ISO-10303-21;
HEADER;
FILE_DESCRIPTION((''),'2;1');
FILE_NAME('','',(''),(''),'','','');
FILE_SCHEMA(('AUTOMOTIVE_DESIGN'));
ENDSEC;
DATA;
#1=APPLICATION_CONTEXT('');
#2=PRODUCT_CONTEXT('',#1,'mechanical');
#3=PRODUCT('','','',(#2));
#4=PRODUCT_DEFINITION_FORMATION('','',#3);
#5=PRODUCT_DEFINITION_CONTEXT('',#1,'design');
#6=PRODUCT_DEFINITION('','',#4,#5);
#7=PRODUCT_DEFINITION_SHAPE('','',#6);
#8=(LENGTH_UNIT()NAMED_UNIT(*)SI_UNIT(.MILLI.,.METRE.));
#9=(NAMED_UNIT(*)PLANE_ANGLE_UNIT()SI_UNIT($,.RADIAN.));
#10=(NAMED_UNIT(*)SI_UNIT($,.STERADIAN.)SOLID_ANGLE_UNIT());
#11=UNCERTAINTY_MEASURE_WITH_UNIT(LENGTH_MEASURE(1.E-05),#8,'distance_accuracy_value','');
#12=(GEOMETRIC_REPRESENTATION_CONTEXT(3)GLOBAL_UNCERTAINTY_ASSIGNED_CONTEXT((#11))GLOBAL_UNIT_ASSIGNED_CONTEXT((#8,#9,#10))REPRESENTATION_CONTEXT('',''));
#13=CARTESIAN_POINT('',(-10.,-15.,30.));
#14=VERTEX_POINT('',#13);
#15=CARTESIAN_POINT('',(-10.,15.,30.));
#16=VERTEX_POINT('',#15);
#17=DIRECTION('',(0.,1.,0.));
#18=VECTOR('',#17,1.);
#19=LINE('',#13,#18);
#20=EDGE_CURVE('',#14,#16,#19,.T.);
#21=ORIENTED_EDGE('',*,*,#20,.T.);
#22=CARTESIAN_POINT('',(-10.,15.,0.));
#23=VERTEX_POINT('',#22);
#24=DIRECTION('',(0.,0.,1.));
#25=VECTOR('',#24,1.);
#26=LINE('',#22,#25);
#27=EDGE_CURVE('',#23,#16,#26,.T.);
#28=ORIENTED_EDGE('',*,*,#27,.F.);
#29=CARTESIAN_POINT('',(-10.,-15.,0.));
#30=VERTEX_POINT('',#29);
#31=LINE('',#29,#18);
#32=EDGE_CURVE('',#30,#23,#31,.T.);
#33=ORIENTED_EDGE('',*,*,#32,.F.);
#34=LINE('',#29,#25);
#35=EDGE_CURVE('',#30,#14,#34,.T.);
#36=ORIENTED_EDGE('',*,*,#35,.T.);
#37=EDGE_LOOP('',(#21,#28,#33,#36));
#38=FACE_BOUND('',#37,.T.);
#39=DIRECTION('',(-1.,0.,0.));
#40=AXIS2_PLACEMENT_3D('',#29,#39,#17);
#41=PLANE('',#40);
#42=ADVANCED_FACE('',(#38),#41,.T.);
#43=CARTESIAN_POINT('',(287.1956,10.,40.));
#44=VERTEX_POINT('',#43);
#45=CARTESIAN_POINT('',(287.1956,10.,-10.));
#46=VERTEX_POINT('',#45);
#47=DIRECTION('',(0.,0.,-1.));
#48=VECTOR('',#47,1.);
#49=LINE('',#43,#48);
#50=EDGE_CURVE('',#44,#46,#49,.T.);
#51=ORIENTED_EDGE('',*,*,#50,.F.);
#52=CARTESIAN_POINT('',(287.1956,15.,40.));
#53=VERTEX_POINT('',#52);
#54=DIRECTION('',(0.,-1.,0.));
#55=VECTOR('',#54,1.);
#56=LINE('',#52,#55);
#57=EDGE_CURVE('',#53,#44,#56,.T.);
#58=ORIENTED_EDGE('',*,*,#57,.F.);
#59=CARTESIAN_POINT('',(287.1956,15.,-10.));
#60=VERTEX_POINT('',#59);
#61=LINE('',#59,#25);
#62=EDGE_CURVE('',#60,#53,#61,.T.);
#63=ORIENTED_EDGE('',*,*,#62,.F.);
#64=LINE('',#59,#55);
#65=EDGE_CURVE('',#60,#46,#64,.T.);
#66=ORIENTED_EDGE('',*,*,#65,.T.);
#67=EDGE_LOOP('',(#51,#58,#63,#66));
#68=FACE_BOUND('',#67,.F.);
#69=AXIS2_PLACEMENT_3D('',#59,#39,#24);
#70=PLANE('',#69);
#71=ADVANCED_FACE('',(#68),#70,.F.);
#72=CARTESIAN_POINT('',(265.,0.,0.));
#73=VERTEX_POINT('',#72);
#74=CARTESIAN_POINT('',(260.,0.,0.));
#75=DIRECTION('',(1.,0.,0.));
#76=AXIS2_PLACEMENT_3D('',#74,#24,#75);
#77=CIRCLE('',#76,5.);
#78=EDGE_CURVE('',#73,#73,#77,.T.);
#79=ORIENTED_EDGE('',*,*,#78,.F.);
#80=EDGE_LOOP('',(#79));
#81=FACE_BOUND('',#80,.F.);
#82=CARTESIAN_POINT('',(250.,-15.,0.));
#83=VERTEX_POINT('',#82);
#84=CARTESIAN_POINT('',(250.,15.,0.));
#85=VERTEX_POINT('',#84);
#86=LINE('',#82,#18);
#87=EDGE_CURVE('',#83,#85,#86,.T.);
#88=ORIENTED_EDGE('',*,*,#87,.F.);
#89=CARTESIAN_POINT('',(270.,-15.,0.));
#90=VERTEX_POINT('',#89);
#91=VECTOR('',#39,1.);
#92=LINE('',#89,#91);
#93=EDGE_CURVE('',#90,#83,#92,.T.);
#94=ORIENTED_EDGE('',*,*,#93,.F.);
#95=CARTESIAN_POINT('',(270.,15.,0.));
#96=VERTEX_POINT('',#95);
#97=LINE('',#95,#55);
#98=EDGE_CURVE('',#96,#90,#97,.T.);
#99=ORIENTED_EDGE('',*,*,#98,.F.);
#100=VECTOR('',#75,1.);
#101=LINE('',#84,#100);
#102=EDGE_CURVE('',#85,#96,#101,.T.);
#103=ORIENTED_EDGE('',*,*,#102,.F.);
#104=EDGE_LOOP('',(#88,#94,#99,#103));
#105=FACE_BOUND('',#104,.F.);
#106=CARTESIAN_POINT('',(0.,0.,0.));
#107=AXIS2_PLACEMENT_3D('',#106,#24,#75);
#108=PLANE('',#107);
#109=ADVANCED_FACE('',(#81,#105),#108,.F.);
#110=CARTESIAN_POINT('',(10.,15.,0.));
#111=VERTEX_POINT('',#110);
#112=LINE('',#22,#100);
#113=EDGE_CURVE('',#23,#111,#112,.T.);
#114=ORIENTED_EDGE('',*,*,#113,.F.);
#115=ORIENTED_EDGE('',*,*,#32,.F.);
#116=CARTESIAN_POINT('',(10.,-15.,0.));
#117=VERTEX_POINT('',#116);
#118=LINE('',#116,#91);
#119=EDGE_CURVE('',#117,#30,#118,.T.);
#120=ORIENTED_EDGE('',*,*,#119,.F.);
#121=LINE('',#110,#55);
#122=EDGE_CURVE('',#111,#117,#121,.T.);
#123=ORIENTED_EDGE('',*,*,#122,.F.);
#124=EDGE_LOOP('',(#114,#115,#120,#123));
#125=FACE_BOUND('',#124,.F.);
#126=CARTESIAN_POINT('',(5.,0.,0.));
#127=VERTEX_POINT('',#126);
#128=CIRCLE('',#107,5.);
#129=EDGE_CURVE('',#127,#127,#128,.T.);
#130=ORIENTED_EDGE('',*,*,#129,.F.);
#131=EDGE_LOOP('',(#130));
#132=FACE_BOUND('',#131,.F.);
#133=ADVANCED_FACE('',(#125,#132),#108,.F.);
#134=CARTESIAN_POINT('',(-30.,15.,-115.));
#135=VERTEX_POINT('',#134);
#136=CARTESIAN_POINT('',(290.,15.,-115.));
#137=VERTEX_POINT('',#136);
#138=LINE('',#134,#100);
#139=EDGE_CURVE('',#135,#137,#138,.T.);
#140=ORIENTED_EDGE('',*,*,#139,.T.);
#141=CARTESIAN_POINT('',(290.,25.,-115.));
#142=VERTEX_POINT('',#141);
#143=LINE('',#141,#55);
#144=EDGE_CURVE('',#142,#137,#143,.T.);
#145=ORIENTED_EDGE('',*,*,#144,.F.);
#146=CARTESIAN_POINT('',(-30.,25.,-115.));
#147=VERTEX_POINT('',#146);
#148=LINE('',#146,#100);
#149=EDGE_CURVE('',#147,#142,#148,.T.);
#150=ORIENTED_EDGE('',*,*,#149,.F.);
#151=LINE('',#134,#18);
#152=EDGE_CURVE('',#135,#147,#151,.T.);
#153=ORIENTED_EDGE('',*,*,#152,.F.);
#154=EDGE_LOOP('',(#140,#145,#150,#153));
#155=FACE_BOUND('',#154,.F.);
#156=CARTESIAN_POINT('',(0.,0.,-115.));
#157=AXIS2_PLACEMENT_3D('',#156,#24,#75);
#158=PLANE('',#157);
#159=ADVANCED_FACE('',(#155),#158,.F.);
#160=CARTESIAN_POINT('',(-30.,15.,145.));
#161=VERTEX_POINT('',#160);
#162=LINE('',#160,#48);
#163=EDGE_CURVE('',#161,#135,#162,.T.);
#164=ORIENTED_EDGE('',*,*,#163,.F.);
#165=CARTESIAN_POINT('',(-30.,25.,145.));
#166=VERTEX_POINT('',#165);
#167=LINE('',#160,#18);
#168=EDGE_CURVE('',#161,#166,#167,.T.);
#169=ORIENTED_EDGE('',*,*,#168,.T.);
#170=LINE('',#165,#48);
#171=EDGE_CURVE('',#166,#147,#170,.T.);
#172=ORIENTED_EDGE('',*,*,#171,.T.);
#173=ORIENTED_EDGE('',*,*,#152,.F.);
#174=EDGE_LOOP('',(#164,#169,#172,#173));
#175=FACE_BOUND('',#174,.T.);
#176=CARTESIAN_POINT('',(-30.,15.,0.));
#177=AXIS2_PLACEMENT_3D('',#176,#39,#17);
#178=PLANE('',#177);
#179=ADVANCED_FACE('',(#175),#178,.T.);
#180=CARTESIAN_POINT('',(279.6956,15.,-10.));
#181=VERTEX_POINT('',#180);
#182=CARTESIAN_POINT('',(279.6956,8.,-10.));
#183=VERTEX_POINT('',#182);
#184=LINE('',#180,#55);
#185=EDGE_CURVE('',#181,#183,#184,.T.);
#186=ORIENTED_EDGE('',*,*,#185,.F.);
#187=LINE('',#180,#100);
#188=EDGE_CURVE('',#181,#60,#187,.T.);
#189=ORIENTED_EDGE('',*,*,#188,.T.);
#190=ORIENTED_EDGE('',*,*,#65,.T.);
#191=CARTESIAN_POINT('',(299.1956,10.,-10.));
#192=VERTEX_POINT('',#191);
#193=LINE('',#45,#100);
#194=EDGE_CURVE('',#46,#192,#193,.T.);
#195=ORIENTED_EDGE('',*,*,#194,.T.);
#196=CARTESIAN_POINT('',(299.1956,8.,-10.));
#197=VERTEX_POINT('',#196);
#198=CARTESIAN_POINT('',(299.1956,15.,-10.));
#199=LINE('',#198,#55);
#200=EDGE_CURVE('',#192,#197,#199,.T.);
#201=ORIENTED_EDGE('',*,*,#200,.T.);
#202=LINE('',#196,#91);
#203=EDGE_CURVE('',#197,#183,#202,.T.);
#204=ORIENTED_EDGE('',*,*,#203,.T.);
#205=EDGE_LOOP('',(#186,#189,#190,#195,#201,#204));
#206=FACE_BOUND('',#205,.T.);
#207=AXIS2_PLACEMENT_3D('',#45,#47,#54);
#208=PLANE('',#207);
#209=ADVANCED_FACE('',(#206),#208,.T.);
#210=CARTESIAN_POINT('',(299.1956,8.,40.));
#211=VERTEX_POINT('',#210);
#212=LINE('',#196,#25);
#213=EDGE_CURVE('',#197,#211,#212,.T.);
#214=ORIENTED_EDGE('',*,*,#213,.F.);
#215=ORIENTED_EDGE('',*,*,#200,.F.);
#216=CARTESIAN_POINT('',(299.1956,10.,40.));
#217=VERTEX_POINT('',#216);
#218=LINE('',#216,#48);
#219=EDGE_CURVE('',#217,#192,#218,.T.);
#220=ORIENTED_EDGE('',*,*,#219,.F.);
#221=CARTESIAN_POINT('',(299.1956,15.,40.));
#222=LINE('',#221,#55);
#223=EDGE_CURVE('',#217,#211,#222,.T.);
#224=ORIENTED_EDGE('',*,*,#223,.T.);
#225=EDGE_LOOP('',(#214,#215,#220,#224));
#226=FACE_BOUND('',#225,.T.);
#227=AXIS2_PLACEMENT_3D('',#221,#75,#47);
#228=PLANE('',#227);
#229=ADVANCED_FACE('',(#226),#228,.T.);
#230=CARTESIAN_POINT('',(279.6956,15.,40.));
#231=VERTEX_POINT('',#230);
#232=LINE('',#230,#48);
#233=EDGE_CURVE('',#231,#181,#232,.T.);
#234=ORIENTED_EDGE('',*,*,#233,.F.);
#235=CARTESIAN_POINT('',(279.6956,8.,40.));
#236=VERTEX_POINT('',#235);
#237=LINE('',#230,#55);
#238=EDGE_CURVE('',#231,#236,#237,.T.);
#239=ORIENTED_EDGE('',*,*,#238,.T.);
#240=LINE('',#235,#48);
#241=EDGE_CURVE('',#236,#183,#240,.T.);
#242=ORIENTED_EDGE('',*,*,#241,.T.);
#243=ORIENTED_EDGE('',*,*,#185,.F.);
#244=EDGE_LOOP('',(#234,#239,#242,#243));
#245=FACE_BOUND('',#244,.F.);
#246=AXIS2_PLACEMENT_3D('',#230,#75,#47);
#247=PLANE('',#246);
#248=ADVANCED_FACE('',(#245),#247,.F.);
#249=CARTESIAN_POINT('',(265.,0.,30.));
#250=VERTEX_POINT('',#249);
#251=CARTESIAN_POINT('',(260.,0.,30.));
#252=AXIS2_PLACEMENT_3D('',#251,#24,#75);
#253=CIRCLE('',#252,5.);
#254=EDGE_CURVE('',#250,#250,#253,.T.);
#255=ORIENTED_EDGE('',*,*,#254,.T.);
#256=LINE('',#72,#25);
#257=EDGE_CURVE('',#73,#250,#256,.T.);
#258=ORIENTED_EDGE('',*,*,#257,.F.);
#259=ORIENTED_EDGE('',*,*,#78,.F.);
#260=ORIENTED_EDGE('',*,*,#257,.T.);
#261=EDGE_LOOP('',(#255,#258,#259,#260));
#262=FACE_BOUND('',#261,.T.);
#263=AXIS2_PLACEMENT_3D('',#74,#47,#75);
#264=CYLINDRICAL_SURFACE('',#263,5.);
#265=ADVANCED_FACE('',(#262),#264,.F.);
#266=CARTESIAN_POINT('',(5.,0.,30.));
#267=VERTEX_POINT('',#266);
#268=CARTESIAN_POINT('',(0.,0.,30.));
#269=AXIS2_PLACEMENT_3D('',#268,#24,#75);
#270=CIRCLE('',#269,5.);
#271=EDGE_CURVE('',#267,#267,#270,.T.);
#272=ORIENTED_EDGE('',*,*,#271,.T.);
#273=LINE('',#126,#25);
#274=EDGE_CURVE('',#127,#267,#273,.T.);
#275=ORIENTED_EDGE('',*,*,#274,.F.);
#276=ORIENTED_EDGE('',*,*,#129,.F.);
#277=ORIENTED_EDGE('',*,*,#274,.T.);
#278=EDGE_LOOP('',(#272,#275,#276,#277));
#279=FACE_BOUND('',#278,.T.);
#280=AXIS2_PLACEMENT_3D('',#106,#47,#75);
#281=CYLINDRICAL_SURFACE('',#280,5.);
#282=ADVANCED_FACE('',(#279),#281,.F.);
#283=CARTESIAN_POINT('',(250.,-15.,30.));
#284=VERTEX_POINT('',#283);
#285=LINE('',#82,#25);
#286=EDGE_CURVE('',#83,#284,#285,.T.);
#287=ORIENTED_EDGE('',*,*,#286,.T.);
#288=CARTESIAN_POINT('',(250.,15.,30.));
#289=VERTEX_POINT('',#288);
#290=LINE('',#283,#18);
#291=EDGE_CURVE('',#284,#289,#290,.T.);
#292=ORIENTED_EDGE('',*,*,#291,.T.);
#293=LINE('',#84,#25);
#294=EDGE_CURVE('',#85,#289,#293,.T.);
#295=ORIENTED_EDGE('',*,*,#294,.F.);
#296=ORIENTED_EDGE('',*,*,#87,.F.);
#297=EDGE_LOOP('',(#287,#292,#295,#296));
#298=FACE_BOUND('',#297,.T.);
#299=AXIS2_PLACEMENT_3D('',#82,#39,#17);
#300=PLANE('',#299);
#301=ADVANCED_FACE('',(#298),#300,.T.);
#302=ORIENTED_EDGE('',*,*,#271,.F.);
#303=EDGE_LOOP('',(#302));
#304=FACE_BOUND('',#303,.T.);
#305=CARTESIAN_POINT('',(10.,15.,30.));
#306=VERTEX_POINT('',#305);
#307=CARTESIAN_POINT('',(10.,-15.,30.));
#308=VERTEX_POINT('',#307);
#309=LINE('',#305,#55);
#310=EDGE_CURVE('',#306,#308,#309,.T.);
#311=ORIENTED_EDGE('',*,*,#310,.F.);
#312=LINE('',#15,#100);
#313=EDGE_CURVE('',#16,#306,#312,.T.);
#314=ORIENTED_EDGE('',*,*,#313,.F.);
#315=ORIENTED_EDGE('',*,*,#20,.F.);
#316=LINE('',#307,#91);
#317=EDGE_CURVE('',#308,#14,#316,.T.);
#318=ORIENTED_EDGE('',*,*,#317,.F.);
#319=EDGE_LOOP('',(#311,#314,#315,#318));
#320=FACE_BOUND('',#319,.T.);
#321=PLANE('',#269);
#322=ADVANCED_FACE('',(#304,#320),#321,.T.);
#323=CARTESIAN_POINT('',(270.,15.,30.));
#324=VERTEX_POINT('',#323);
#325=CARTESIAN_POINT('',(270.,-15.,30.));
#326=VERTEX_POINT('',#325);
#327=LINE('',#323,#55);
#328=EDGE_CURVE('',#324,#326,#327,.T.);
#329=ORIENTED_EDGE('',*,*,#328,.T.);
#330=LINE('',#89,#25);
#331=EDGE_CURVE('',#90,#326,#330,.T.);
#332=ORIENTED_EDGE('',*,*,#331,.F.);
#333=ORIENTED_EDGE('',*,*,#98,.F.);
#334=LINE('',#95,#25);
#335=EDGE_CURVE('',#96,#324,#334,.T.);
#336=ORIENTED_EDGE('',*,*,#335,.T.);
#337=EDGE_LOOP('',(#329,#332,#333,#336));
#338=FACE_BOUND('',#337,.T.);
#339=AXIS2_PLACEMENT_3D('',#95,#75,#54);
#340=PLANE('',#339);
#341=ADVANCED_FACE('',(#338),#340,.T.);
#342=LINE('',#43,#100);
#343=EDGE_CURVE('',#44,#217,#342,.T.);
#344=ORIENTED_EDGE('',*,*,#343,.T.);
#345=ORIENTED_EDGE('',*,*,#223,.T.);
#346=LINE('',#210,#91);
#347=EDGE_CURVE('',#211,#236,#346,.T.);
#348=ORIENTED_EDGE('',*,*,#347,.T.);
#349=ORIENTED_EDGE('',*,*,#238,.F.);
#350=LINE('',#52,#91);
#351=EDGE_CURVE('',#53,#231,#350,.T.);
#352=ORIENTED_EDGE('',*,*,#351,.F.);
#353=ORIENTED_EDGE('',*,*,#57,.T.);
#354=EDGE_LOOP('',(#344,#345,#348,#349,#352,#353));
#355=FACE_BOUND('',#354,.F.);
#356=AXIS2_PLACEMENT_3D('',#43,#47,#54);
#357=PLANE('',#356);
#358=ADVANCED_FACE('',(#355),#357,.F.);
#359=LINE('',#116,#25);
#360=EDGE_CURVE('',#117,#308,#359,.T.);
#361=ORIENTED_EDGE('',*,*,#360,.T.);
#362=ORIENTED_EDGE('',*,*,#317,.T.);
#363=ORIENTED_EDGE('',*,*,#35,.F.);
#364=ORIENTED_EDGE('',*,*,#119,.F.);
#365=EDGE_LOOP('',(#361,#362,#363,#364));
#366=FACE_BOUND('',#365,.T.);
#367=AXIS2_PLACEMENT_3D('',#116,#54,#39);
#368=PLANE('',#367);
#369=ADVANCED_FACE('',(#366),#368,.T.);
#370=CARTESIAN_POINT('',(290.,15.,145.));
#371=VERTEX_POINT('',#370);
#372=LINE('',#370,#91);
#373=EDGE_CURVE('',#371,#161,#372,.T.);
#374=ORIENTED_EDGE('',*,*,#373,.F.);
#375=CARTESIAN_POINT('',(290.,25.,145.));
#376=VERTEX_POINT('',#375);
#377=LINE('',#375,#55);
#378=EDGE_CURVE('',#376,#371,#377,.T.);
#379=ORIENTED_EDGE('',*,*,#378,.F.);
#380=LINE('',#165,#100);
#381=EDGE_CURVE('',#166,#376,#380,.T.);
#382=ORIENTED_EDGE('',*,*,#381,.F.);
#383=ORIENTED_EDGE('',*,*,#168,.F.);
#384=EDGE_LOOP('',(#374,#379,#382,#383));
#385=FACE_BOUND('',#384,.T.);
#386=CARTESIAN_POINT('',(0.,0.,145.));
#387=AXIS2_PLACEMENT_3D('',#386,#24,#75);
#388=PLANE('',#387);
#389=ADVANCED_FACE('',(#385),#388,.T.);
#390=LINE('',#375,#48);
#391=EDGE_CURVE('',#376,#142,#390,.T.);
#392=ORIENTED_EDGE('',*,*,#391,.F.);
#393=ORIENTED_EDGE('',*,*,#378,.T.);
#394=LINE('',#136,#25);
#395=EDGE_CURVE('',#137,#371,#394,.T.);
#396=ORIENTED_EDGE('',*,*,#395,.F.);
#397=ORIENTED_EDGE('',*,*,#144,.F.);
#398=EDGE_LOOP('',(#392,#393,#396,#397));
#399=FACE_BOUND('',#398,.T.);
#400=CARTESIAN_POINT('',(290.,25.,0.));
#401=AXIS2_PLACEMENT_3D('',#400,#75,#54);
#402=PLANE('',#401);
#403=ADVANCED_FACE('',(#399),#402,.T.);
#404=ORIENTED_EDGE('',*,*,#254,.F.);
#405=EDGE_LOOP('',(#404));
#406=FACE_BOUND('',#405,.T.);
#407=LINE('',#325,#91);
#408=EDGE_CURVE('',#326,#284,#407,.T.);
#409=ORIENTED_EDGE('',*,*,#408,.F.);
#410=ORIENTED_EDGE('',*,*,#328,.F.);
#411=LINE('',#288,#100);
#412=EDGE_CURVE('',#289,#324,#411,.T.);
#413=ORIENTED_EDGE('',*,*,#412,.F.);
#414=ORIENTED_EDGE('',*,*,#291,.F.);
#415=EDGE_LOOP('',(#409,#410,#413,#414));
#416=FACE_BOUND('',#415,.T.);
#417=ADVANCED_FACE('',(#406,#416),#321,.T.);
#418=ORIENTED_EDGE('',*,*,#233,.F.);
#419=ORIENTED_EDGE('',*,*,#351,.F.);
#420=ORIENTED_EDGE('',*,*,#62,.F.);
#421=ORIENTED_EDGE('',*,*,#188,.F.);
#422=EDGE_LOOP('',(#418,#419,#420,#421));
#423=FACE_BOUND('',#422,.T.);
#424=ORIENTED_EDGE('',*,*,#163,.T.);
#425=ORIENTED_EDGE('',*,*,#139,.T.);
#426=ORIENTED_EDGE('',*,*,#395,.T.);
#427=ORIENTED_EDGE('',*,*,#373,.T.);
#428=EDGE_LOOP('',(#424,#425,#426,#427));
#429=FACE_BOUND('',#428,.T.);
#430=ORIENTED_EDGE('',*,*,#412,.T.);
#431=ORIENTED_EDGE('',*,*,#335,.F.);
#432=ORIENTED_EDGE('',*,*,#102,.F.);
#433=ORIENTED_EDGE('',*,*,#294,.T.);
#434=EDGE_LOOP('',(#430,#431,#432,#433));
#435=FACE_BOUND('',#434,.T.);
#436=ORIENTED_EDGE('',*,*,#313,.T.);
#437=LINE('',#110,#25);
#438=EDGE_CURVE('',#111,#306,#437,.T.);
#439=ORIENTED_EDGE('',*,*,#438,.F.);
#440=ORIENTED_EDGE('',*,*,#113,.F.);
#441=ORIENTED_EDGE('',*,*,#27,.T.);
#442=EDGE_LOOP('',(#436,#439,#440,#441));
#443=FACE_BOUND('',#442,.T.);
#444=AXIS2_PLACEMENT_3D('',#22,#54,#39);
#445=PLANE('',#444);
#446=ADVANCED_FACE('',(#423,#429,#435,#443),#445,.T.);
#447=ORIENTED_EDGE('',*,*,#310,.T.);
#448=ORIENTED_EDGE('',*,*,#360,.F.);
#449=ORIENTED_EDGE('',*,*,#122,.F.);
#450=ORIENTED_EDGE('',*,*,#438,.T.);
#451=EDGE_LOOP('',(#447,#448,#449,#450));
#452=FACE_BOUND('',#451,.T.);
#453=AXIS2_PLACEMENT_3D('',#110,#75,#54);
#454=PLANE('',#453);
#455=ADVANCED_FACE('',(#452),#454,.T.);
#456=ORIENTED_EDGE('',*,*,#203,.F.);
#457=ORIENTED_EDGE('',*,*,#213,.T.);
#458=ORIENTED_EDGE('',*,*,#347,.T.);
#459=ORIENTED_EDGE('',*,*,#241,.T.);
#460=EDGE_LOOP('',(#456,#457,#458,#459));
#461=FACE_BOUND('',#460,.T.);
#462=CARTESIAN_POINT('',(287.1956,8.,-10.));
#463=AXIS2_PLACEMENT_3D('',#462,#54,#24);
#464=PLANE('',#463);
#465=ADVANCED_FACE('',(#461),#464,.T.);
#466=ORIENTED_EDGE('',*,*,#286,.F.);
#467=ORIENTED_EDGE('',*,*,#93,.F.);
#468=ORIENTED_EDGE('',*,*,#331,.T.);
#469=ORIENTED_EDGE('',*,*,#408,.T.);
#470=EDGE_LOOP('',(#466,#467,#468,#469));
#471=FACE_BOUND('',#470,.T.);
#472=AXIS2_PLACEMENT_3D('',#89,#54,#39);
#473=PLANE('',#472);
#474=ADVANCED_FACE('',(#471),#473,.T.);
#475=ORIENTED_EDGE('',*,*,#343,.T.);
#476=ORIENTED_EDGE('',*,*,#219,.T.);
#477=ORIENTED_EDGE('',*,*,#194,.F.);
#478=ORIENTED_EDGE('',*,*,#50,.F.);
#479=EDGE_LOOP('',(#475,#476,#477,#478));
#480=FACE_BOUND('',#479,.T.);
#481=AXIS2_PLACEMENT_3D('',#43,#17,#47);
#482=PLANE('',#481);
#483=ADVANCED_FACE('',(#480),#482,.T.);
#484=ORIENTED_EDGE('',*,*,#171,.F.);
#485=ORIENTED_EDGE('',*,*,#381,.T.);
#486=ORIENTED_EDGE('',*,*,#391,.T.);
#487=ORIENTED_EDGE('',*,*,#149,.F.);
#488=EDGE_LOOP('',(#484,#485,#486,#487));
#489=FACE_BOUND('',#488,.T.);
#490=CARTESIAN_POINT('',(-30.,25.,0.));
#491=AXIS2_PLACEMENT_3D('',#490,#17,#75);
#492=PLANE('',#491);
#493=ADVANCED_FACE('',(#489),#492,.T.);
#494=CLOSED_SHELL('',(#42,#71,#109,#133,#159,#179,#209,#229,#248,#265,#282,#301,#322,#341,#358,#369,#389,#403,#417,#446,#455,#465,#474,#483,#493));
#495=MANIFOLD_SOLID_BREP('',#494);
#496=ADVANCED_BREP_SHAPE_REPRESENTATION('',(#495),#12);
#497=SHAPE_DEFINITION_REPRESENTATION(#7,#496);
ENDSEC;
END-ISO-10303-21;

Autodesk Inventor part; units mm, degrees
ref_plane "YZ Plane" through (0, 0, 0) normal (1, 0, 0) x (0, 1, 0)
ref_plane "XZ Plane" through (0, 0, 0) normal (0, 1, 0) x (-1, 0, 0)
ref_plane "XY Plane" through (0, 0, 0) normal (0, 0, 1) x (1, 0, 0)
sketch "草图1" plane through (0, 0, 0) normal (0, 0, 1) x (1, 0, 0)
  circle A0 centre (0, 0) radius 5
  circle A1 centre (260, 0) radius 5
  line L0 (-10, 15) -> (10, 15)
  line L1 (10, 15) -> (10, -15)
  line L2 (10, -15) -> (-10, -15)
  line L3 (-10, -15) -> (-10, 15)
  line L4 (250, 15) -> (270, 15)
  line L5 (270, 15) -> (270, -15)
  line L6 (270, -15) -> (250, -15)
  line L7 (250, -15) -> (250, 15)
  line L8 (-30, 25) -> (290, 25)
  line L9 (290, 25) -> (290, 15)
  line L10 (290, 15) -> (-30, 15)
  line L11 (-30, 15) -> (-30, 25)
  dimension "d0" = 10
  dimension "d1" = 10
  dimension "d2" = 260
  dimension "d3" = 20
  dimension "d4" = 10
  dimension "d5" = 30
  dimension "d6" = 15
  dimension "d7" = 20
  dimension "d8" = 30
  dimension "d9" = 15
  dimension "d10" = 10
  dimension "d11" = 320
  dimension "d12" = 20
  dimension "d13" = 10
extrude "拉伸1" add sketch "草图1" along normal blind 30 contours A1 | L0 L1 L2 L3 | L4 L5 L6 L7
extrude "拉伸2" add sketch "草图1" along normal blind 145 and the other way blind 115 contours L10 L11 L8 L9 L4 L0
extrude "拉伸3" cut sketch "草图1" along normal blind 30 contours A1
sketch "草图2" plane through (-30, 15, 145) normal (0, -1, 0) x (1, 0, 0)
  line L0 (309.6956, -155) -> (317.1956, -155)
  line L1 (317.1956, -155) -> (317.1956, -105)
  line L2 (317.1956, -105) -> (309.6956, -105)
  line L3 (309.6956, -105) -> (309.6956, -155)
  line L4 (0, 0) -> (320, 0) projected
  point P0 (30, -145)
  dimension "d22" = 7.5
  dimension "d23" = 105
  dimension "d24" = 50
extrude "拉伸4" add sketch "草图2" along normal blind 7
sketch "草图3" plane through (287.1956, 15, 40) normal (1, 0, 0) x (0, 0, -1)
  line L0 (50, 0) -> (50, -7) projected
  line L1 (0, 0) -> (0, -7) projected
  line L2 (50, -7) -> (0, -7)
  line L3 (0, -7) -> (0, -5)
  line L4 (0, -5) -> (50, -5)
  line L5 (50, -5) -> (50, -7)
  point P0 (40, -15)
  dimension "d27" = 2
extrude "拉伸5" add sketch "草图3" along normal blind 12
properties part number "滑台"
